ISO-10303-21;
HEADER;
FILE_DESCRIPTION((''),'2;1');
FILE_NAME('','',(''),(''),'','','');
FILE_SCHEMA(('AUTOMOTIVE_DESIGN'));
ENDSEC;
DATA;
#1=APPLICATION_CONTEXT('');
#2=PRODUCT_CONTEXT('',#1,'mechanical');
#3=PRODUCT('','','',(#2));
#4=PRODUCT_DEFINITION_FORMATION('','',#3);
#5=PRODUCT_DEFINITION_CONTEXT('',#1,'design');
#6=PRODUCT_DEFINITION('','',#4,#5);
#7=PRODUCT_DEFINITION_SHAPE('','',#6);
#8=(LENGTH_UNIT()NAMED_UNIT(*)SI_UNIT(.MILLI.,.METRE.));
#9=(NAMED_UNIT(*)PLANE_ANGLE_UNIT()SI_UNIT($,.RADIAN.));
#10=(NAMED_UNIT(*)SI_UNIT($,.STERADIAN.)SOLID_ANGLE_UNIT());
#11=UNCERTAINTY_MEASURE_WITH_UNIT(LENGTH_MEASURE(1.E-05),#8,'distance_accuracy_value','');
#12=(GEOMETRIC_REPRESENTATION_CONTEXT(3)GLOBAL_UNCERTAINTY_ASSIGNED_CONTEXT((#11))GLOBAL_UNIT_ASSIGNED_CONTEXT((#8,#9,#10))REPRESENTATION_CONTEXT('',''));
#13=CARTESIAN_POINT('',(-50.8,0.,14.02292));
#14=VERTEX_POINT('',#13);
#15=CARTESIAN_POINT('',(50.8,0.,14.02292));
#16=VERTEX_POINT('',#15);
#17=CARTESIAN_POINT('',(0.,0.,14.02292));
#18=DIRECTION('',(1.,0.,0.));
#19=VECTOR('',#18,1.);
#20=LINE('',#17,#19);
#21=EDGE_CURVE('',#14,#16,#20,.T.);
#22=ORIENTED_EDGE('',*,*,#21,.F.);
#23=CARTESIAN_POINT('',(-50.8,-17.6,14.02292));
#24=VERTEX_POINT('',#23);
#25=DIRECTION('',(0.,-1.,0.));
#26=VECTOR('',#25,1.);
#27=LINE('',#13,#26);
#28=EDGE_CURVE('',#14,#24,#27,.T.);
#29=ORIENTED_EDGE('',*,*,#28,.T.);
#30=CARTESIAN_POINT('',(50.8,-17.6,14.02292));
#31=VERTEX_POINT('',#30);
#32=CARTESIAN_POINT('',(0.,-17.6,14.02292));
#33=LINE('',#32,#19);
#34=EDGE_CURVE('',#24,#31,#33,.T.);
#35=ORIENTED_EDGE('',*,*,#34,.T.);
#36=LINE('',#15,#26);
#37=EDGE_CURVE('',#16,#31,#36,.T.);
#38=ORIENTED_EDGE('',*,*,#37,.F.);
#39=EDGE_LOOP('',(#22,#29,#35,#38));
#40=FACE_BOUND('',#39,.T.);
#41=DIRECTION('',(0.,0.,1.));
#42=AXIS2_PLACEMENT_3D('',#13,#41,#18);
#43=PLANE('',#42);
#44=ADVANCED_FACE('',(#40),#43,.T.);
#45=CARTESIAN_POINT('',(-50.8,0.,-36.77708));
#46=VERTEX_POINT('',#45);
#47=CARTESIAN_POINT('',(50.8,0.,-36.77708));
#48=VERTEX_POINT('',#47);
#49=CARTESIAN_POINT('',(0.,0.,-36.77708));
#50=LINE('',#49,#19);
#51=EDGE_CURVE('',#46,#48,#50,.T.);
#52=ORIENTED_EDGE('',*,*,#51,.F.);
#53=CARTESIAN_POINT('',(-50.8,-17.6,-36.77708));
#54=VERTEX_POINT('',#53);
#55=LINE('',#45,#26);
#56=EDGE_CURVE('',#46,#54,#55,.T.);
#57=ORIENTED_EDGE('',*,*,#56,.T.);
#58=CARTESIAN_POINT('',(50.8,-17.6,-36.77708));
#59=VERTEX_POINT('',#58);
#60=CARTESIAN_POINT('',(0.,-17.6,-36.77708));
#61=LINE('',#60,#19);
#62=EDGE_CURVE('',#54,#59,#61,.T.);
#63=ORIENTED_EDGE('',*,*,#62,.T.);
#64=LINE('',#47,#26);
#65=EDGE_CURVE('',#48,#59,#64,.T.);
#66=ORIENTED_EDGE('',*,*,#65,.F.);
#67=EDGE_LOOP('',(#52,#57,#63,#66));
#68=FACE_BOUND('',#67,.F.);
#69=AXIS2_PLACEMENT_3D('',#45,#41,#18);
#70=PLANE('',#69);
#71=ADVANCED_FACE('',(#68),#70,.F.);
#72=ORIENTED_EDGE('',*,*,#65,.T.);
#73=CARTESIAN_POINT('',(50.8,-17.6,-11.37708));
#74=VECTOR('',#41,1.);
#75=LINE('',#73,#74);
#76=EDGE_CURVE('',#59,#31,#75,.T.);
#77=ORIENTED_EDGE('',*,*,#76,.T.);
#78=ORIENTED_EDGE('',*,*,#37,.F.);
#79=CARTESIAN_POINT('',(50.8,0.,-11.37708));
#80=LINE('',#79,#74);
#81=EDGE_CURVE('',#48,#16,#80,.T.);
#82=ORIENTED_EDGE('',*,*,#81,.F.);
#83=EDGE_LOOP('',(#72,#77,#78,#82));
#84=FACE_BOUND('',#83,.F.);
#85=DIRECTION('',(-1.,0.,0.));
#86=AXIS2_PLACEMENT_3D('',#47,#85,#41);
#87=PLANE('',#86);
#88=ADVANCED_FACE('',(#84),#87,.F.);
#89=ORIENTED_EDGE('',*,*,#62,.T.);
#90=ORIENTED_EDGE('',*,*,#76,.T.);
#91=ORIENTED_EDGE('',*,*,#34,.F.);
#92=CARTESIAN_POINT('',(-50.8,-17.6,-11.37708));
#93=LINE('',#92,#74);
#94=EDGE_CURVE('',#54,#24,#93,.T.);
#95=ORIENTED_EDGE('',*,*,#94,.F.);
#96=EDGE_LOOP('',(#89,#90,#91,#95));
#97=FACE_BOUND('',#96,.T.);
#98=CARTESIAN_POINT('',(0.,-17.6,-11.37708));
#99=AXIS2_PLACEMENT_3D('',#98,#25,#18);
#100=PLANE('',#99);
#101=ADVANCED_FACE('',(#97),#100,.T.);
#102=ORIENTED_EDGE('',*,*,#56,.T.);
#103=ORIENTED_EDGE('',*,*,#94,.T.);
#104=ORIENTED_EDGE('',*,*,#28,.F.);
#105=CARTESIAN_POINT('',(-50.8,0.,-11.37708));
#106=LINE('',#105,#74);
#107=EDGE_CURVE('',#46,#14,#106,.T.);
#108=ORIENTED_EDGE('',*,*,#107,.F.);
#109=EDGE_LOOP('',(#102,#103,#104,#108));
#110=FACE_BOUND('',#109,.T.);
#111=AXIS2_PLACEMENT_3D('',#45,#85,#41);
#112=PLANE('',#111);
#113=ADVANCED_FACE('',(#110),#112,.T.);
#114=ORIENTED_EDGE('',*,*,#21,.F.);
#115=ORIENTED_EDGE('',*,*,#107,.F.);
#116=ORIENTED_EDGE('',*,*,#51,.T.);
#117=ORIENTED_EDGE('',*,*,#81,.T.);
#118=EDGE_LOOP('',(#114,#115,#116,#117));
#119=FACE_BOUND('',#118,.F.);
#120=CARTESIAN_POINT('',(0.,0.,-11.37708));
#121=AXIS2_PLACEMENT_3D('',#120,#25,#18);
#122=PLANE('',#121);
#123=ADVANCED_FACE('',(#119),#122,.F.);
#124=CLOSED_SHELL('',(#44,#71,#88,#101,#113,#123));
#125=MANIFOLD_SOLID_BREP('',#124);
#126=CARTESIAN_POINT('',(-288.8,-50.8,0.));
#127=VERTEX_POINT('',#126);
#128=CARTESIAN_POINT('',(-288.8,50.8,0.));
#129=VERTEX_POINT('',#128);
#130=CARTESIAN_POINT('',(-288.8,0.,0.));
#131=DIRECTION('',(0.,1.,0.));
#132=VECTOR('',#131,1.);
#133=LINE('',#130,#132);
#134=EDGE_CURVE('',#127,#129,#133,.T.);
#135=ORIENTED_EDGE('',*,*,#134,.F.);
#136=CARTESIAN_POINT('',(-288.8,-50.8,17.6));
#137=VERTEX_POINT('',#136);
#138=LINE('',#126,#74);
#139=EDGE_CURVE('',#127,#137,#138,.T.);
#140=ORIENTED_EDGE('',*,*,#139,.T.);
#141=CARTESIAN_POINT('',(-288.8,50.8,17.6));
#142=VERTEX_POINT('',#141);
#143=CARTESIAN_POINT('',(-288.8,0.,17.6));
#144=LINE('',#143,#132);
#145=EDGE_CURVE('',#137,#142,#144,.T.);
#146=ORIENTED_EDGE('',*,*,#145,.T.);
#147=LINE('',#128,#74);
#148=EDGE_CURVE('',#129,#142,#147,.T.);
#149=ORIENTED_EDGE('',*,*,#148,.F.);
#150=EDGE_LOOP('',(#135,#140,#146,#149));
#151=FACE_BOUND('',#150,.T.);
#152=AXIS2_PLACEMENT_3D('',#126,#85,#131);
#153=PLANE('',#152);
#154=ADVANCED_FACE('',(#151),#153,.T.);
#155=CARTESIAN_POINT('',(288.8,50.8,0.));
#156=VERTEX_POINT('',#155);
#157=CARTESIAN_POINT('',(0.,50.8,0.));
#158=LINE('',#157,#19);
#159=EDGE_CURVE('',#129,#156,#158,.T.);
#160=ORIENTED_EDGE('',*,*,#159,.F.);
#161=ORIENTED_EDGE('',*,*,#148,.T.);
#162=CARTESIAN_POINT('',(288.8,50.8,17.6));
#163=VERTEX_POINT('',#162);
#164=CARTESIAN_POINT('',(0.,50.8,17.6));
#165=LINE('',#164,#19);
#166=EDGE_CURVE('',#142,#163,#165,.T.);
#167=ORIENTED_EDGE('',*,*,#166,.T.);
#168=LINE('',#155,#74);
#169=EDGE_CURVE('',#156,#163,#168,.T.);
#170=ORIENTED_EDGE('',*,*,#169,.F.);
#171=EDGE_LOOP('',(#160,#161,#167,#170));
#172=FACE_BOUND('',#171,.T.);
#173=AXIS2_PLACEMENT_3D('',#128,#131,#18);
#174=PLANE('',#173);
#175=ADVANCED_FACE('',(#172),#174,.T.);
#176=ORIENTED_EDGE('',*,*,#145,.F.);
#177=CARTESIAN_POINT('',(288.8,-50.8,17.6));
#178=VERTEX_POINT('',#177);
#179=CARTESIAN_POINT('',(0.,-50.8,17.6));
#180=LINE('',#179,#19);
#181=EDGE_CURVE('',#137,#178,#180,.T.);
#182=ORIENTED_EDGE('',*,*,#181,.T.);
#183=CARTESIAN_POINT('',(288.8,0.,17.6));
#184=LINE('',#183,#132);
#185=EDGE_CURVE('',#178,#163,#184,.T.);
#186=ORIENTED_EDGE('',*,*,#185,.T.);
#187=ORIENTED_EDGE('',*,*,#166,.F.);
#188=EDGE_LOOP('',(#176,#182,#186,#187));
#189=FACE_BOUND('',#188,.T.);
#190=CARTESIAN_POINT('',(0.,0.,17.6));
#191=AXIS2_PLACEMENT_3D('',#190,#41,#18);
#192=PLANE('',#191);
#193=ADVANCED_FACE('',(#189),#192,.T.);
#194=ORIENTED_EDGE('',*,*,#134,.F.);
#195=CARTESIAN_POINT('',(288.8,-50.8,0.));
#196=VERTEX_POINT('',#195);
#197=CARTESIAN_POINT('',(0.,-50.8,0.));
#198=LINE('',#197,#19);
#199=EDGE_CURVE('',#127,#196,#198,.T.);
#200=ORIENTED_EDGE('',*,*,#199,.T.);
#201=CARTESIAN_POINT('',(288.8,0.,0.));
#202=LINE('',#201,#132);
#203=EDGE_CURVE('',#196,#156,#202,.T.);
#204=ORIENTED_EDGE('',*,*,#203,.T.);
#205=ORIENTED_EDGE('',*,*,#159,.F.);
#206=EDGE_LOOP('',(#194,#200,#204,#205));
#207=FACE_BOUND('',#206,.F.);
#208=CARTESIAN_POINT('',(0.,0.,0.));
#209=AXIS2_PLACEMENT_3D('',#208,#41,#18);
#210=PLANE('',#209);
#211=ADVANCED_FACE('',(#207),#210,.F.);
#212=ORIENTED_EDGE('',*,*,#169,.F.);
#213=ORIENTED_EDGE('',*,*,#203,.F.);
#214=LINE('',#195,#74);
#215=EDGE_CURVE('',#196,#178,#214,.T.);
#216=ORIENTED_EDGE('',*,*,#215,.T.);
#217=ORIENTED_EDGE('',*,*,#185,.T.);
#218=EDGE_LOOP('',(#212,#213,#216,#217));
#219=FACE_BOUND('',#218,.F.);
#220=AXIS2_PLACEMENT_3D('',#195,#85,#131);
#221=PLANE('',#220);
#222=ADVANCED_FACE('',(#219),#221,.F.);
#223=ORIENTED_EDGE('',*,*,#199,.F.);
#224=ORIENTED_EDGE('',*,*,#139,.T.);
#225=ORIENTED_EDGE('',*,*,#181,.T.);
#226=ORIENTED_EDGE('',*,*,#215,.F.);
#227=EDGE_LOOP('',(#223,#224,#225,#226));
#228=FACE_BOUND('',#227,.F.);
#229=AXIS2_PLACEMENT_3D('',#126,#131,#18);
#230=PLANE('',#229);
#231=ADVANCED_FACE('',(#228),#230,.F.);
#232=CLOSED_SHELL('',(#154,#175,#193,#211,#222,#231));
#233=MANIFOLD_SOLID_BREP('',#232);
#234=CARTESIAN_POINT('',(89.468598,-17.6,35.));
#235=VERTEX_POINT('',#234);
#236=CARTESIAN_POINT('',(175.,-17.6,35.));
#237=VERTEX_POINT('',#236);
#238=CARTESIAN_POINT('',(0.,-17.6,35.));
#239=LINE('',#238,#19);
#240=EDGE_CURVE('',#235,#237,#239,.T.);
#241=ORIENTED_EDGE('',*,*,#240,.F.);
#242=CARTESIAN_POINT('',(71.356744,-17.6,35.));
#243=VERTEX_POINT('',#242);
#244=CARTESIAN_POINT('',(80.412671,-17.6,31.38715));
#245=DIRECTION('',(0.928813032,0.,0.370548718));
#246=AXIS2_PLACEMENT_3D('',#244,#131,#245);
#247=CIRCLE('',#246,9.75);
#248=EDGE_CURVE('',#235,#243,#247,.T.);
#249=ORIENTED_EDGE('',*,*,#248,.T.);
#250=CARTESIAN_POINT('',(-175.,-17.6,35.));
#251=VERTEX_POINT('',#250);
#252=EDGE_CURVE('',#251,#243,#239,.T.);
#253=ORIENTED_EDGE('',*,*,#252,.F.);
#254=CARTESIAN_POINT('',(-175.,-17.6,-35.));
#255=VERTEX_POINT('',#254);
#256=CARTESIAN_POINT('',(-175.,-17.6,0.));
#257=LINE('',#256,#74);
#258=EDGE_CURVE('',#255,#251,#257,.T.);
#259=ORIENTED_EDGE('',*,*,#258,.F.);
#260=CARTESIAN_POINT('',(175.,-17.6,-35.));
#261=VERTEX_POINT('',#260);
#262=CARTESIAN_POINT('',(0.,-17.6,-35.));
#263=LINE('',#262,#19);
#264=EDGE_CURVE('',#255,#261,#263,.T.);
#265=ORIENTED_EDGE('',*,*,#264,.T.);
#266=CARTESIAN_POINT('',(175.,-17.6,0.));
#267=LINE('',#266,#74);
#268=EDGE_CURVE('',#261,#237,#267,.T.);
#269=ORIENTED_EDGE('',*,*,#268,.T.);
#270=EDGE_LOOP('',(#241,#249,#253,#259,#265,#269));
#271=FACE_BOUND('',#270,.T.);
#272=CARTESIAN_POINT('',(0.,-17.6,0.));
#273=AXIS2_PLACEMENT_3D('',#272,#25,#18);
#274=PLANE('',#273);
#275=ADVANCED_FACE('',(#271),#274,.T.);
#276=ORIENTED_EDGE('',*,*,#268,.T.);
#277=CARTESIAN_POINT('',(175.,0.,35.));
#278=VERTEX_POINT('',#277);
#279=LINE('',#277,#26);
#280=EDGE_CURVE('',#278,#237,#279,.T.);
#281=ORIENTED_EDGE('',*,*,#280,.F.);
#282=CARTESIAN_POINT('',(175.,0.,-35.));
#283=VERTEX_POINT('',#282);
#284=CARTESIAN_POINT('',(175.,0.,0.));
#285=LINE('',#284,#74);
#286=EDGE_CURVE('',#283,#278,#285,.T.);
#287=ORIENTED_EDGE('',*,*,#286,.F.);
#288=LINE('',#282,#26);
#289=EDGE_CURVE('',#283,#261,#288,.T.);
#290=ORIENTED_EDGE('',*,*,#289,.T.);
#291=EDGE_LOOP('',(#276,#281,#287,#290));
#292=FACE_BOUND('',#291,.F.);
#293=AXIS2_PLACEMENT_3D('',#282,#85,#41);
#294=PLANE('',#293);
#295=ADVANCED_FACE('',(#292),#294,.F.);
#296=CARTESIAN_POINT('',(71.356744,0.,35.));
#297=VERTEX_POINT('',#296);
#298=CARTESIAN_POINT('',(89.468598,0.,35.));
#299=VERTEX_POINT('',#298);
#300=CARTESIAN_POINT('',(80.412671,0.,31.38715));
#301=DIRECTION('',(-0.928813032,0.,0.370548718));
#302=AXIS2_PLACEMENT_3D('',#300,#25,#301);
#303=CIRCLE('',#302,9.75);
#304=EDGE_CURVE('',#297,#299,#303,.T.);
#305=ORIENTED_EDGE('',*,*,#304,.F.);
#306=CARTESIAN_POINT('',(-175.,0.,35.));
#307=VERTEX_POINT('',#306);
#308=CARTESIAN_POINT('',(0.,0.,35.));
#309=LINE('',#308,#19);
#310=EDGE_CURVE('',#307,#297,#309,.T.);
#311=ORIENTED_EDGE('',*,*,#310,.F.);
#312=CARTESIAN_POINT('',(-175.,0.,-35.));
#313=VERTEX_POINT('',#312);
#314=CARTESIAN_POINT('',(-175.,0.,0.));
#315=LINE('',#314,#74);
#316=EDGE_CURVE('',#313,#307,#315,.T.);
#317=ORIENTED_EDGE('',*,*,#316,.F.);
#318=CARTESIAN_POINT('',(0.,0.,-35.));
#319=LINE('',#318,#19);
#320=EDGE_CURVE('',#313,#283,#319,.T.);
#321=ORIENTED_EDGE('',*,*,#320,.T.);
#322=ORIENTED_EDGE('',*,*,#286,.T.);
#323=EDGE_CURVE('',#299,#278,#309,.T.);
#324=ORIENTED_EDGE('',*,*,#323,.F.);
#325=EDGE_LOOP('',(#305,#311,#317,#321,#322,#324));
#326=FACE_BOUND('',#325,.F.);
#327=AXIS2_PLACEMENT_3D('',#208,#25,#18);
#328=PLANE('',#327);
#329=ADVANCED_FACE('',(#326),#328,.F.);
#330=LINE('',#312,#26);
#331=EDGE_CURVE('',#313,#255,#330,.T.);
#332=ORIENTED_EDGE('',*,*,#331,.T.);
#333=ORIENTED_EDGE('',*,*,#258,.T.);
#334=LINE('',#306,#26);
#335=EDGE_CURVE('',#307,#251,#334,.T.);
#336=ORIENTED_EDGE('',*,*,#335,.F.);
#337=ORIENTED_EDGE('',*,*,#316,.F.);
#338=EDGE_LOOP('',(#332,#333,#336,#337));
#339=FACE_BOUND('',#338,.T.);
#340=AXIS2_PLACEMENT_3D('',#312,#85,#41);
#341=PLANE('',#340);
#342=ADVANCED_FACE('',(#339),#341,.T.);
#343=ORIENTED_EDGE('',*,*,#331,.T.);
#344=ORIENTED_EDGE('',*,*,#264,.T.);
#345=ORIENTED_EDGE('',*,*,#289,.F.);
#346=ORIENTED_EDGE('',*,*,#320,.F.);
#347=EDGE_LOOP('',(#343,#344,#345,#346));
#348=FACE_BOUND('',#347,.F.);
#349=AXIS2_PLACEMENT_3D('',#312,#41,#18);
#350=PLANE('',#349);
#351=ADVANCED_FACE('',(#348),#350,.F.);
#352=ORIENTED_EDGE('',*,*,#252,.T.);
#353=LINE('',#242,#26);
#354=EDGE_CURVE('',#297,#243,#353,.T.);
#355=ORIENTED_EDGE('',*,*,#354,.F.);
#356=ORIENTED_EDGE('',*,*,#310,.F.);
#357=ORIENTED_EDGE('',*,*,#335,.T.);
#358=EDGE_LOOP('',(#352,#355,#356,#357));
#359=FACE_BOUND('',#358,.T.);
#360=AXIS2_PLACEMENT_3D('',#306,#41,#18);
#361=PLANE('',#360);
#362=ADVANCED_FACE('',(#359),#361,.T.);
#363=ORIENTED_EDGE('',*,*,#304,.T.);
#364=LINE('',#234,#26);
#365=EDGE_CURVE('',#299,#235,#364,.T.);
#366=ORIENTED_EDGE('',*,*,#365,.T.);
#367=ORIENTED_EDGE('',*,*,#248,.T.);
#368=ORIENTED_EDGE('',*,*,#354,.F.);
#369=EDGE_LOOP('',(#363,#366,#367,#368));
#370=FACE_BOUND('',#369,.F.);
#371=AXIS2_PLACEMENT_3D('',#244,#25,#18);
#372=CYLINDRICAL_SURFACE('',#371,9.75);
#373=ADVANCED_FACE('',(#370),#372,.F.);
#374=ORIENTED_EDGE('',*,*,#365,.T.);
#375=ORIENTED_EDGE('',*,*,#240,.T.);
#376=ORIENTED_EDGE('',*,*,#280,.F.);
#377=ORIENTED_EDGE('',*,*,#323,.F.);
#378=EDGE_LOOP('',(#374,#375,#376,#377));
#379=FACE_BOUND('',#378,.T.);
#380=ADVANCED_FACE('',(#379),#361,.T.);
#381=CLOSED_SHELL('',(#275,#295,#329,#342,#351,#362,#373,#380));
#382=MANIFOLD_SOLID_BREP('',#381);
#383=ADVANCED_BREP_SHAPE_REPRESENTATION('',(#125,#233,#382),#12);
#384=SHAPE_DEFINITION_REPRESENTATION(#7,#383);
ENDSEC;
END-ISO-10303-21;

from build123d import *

# Parameters (mm, degrees)
F0_W     = 350
F0_H     = 70
F1_DEPTH = 17.6
F2_R     = 9.75
F3_DEPTH = 17.6
F4_W     = 101.6
F4_H     = 50.8
F5_DEPTH = 17.6
F6_W     = 577.6
F6_H     = 101.6
F7_DEPTH = 17.6


with BuildPart() as f1:
    # F0 (on Front) → F1 (new body)
    with BuildSketch(Plane.XZ):
        Rectangle(F0_W, F0_H)
    extrude(amount=F1_DEPTH)

    # F2 (on face) → F3 (cut)
    with BuildSketch(Plane.XZ.offset(17.6)):
        with Locations((80.412671, 31.38715)):
            Circle(F2_R)
    extrude(amount=-F3_DEPTH, mode=Mode.SUBTRACT)


with BuildPart() as f5:
    # F4 (on Front) → F5 (new body)
    with BuildSketch(Plane.XZ):
        with Locations((0, -11.37708)):
            Rectangle(F4_W, F4_H)
    extrude(amount=F5_DEPTH)


with BuildPart() as f7:
    # F6 (on Top) → F7 (new body)
    with BuildSketch(Plane.XY):
        Rectangle(F6_W, F6_H)
    extrude(amount=F7_DEPTH)


solid = Compound([f1.part, f5.part, f7.part])
